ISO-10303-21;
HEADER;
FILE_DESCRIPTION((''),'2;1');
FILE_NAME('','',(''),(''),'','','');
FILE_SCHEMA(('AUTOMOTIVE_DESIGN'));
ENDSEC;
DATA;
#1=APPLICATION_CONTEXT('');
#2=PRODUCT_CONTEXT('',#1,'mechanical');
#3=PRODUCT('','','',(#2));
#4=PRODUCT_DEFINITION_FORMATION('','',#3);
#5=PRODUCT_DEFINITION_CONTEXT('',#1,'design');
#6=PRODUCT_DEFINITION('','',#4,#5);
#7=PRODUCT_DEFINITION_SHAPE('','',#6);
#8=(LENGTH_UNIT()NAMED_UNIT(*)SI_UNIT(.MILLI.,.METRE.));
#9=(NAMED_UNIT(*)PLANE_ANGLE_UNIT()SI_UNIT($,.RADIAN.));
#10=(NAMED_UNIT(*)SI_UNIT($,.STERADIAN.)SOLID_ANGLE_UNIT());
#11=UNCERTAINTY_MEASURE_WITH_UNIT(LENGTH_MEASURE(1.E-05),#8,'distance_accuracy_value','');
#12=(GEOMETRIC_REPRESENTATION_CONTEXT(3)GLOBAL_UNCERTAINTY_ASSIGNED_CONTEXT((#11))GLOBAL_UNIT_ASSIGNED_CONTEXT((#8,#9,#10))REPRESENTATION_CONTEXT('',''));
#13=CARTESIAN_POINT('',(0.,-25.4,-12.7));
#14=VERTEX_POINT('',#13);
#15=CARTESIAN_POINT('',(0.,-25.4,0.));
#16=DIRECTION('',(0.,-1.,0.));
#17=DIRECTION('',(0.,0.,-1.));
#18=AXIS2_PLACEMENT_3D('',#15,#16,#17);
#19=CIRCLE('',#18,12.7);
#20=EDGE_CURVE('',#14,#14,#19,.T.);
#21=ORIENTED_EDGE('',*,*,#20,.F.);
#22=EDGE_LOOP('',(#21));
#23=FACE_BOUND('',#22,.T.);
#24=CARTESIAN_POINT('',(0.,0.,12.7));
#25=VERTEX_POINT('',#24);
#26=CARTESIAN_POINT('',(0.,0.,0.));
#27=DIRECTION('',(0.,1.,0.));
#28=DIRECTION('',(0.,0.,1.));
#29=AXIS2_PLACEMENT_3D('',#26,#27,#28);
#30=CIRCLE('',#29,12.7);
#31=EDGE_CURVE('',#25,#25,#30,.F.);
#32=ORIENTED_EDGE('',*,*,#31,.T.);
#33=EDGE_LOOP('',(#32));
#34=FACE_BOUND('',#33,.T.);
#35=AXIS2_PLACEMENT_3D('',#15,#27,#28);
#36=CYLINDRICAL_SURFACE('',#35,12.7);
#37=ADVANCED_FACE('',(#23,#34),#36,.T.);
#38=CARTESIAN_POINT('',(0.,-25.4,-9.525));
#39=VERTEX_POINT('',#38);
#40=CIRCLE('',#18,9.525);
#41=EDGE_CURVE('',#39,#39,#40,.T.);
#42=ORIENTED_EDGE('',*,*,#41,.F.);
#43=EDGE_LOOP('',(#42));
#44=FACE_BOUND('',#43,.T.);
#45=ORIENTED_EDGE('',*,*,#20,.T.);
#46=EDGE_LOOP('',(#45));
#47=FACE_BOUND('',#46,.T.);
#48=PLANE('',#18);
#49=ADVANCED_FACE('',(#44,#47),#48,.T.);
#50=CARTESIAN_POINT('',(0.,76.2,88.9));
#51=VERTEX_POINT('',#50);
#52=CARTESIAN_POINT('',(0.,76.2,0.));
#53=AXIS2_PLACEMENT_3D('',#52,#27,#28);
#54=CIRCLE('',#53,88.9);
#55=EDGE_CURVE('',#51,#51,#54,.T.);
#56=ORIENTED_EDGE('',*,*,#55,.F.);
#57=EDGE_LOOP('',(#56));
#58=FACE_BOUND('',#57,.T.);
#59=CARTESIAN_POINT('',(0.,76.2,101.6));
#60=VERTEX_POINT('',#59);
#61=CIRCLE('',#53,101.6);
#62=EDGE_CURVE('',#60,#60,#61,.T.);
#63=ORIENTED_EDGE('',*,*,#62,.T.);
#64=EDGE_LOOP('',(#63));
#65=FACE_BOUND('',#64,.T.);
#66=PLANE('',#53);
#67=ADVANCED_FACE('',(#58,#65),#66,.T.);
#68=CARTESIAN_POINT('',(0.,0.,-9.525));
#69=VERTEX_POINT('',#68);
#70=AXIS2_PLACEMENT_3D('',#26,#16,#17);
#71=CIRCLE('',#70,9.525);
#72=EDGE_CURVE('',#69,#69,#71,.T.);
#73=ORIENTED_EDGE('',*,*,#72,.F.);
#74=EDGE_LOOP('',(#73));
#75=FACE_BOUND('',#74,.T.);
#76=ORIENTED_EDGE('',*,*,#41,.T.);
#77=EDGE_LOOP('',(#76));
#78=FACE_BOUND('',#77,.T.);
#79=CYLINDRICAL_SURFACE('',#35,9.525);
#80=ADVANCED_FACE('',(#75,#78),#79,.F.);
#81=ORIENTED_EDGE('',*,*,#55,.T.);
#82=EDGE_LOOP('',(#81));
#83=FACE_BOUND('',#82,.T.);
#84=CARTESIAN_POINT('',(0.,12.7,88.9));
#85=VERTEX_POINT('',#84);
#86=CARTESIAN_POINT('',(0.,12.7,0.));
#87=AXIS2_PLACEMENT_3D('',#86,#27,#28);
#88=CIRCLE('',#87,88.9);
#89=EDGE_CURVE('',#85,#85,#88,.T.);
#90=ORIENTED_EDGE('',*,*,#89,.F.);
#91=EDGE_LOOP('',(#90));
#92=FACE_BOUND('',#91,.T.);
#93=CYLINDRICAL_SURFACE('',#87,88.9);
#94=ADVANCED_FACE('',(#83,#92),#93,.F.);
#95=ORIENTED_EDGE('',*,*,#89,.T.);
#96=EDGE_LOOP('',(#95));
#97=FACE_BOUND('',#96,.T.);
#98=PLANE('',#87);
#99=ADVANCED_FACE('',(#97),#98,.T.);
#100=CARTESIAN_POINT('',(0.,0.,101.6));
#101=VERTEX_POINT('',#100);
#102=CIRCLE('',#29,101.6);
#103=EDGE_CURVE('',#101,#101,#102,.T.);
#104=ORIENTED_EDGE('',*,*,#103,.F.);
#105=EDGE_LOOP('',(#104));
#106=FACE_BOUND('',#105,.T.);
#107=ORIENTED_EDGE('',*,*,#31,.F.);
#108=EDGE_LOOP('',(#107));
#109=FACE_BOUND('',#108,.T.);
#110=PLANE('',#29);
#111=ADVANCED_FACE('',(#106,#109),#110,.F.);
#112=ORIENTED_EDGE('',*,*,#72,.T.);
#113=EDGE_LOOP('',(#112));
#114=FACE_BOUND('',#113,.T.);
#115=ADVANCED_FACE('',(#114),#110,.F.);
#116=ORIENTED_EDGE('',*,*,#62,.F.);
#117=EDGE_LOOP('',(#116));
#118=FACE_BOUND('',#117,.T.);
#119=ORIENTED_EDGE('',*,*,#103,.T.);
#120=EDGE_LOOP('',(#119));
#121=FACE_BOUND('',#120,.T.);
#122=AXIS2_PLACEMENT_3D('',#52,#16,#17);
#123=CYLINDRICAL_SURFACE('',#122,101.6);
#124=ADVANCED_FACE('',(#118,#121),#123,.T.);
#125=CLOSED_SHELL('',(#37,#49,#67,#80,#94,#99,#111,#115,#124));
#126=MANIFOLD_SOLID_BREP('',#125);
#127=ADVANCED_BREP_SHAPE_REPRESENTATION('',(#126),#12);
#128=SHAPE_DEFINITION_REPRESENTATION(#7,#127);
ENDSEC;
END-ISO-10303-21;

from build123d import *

# Parameters (mm, degrees)
SKETCH1_R           = 101.6
BOSS_EXTRUDE1_DEPTH = 76.2
SKETCH2_R           = 88.9
CUT_EXTRUDE1_DEPTH  = 63.5
SKETCH3_R           = 12.7
SKETCH3_R_2         = 9.525
BOSS_EXTRUDE2_DEPTH = 25.4


with BuildPart() as part:
    # Sketch1 → Boss-Extrude1 (new body)
    with BuildSketch(Plane(origin=(0, 0, 0), x_dir=(1, 0, 0), z_dir=(0, 1, 0))):
        Circle(SKETCH1_R)
    extrude(amount=BOSS_EXTRUDE1_DEPTH)

    # Sketch2 → Cut-Extrude1 (cut)
    with BuildSketch(Plane(origin=(0, 76.2, 0), x_dir=(1, 0, 0), z_dir=(0, 1, 0))):
        Circle(SKETCH2_R)
    extrude(amount=-CUT_EXTRUDE1_DEPTH, mode=Mode.SUBTRACT)

    # Sketch3 → Boss-Extrude2 (add)
    with BuildSketch(Plane.XZ):
        Circle(SKETCH3_R)
        Circle(SKETCH3_R_2, mode=Mode.SUBTRACT)
    extrude(amount=BOSS_EXTRUDE2_DEPTH)


solid = part.part
